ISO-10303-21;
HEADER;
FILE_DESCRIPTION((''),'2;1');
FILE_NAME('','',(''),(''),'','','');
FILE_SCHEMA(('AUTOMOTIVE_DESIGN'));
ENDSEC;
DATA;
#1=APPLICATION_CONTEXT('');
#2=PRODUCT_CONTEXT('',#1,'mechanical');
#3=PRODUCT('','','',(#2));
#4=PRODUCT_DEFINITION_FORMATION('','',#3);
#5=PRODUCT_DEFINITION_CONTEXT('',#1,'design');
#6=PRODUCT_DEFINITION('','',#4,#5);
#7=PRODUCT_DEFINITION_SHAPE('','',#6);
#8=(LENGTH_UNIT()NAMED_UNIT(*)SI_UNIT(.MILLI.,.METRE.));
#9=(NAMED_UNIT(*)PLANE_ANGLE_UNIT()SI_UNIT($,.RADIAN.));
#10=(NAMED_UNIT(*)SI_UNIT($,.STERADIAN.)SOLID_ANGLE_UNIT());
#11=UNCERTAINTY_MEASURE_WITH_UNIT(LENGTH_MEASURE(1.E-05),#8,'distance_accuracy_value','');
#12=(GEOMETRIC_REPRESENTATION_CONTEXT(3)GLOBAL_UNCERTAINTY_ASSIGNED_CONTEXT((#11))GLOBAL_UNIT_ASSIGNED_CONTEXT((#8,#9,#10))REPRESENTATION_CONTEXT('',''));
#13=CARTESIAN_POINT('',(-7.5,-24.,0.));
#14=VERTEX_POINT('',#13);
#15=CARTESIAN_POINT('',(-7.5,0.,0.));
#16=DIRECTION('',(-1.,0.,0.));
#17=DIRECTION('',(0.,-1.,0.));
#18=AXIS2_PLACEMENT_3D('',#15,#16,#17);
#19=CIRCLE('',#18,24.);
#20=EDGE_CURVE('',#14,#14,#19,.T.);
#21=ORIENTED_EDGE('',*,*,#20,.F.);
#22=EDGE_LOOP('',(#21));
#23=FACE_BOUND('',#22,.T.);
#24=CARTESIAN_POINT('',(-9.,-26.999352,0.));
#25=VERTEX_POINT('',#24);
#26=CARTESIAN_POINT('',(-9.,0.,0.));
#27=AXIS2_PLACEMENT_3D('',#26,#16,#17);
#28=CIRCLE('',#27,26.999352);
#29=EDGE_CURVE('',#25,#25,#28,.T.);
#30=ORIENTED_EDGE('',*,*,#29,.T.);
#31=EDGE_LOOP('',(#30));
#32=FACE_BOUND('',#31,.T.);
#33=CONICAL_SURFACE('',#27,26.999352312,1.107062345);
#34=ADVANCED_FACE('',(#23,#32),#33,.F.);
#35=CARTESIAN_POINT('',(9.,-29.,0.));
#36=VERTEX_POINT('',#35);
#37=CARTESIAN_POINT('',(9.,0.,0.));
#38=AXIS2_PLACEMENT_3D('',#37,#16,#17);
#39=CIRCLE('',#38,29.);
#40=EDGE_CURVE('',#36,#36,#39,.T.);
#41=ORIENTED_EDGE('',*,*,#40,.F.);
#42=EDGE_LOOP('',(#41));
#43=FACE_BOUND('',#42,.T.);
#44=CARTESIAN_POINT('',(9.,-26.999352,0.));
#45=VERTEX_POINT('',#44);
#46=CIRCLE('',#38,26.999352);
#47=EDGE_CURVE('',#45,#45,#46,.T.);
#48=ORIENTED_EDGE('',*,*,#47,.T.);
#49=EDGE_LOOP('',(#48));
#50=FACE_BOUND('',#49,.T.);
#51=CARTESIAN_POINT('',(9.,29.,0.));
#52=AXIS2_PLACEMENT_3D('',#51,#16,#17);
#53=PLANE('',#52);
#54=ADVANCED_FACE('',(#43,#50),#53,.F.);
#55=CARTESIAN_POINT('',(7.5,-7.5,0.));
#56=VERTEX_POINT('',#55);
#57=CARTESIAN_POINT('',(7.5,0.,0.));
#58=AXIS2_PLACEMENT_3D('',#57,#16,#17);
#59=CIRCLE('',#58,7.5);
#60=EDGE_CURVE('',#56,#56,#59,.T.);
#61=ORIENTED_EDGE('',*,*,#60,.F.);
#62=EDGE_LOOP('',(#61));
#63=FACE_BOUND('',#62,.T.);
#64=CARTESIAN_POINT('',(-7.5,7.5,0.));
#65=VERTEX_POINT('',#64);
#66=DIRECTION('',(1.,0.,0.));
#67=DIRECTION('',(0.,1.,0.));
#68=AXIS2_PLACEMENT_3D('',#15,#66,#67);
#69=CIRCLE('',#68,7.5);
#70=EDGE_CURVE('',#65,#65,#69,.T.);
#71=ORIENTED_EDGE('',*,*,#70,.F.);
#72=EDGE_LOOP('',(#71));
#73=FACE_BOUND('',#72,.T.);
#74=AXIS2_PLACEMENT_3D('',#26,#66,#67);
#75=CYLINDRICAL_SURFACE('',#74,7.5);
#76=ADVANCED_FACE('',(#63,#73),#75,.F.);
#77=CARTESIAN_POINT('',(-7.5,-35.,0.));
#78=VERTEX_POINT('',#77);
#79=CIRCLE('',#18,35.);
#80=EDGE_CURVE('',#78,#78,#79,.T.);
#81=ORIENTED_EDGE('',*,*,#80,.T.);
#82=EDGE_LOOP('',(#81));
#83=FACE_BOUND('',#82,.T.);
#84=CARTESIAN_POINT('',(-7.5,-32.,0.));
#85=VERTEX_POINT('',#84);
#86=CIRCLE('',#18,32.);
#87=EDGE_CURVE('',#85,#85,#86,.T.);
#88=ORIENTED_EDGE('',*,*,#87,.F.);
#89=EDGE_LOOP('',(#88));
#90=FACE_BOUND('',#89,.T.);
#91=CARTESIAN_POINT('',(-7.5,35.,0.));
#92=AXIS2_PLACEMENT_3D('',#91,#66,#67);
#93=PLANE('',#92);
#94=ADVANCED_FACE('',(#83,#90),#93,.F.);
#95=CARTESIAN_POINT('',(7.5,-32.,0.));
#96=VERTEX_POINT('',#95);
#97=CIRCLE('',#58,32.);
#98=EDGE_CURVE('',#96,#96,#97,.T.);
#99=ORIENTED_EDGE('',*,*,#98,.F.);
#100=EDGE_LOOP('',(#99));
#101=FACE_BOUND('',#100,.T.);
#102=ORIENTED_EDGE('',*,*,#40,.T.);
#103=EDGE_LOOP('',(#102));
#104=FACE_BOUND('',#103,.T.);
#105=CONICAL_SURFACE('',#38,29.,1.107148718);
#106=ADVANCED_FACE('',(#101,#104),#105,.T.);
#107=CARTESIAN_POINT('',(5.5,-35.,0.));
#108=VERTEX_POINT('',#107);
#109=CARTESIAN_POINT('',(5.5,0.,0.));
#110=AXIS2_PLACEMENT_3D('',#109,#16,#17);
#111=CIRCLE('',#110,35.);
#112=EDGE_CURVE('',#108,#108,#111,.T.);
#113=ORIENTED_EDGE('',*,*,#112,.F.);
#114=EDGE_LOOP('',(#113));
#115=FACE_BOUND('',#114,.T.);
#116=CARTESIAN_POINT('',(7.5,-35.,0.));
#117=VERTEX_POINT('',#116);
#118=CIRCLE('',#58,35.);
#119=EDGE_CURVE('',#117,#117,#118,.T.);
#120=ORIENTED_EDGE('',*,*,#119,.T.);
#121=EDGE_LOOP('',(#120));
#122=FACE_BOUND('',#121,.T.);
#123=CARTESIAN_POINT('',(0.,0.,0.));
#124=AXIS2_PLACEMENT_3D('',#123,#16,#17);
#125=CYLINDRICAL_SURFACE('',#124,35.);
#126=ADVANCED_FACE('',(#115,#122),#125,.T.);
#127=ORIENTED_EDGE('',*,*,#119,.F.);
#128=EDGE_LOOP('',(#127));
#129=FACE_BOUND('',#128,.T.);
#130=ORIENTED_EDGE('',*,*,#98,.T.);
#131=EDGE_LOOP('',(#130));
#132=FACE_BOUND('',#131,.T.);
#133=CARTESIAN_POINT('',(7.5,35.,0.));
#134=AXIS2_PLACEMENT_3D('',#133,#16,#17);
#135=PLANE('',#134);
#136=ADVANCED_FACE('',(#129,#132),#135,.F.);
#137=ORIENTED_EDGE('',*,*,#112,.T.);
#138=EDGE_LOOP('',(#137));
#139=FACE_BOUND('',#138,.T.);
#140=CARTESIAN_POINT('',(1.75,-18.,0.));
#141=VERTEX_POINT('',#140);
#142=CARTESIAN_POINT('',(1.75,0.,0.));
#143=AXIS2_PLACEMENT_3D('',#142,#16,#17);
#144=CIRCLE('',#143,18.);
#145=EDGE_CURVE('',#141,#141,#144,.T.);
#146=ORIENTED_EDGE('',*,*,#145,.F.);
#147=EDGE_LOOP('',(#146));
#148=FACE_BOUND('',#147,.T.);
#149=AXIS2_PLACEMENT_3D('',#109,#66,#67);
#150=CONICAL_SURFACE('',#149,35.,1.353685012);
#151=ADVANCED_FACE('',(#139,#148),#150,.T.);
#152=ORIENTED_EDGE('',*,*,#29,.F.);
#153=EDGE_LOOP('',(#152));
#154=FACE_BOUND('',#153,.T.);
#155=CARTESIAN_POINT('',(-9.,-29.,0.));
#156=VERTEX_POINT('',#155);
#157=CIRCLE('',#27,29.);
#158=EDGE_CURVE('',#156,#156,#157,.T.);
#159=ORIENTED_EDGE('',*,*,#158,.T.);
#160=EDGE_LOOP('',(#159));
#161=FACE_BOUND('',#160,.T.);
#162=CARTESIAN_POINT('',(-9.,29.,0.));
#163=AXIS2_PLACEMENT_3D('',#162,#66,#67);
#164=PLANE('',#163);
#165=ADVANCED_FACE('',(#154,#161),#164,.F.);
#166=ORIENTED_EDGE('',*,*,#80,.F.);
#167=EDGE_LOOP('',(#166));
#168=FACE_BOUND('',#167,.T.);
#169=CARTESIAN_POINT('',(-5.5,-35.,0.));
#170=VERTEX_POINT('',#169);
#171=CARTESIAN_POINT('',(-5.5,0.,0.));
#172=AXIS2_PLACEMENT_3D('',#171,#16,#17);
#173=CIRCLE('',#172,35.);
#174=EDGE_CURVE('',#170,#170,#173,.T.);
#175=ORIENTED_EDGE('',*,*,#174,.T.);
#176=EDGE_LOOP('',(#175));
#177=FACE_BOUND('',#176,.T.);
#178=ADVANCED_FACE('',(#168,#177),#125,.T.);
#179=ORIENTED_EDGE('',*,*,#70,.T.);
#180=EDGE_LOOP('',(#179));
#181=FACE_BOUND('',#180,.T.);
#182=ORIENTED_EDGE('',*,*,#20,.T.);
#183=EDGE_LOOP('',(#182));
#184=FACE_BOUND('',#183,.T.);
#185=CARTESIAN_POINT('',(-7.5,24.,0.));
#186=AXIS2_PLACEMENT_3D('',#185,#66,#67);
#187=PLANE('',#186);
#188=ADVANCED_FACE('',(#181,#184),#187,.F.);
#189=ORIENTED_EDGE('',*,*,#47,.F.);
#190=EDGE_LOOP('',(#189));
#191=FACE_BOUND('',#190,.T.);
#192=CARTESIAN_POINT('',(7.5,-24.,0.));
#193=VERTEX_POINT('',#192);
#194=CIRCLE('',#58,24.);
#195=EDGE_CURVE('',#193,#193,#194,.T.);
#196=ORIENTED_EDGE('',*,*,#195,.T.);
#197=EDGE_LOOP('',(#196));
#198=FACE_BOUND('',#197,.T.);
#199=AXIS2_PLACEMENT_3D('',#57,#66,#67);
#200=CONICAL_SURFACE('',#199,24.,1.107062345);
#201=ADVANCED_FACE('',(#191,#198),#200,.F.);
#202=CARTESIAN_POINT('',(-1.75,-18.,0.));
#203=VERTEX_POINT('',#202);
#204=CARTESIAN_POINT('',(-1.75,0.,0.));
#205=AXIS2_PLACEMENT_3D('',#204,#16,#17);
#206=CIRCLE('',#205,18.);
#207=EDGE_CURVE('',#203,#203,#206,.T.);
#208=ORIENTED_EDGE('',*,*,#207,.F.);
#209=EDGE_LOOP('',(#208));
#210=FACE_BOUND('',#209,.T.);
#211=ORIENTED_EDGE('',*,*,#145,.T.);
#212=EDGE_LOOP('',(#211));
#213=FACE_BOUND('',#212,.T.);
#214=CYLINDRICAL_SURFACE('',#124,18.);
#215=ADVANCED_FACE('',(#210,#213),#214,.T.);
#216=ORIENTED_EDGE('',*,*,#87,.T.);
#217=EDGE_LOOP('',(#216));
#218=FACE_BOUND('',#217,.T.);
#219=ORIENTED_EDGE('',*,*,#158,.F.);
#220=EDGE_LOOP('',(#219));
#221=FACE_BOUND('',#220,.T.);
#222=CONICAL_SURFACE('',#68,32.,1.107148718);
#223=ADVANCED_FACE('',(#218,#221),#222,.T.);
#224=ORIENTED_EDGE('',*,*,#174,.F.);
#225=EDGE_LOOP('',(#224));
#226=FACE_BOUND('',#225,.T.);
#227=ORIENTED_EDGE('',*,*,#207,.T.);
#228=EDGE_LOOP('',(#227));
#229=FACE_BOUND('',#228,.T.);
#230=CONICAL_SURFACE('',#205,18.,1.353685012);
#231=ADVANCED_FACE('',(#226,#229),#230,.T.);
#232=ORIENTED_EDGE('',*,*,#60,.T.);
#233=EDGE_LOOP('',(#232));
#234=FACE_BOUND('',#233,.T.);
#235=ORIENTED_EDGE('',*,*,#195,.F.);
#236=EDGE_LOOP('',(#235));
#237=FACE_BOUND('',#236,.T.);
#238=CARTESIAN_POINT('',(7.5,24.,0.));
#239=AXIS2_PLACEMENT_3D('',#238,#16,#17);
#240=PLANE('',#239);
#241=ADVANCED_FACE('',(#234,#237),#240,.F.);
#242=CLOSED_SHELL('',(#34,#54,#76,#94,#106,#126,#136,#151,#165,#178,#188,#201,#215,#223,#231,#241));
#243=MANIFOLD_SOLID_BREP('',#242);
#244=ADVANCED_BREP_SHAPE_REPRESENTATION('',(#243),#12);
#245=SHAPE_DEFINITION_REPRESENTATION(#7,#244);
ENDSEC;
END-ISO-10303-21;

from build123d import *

# Parameters (mm, degrees)
SKETCH_2_R          = 7.5
CUT_EXTRUDE_1_DEPTH = 53.668776329


with BuildPart() as part:
    # Эскиз1 → Повернуть4 (revolve)
    with BuildSketch(Plane.XY, mode=Mode.PRIVATE) as revolve_4_sk:
        Polygon((5.5, 35), (7.5, 35), (7.5, 32), (9, 29), (9, 26.999352312), (7.5, 24), (7.5, 0), (-7.5, 0), (-7.5, 24), (-9, 26.999352312), (-9, 29), (-7.5, 32), (-7.5, 35), (-5.5, 35), (-1.75, 18), (1.75, 18), align=None)
    revolve(revolve_4_sk.sketch.rotate(Axis((0, 0, 0), (1, 0, 0)), 180), axis=Axis((0, 0, 0), (1, 0, 0)))

    # Эскиз2 → Вырез-Вытянуть1 (cut, through all)
    with BuildSketch(Plane(origin=(9, 0, 0), x_dir=(0, 0, -1), z_dir=(1, 0, 0))):
        with Locations(Location((0, 0, 0), (0, 0, 90))):
            Circle(SKETCH_2_R)
    extrude(amount=-CUT_EXTRUDE_1_DEPTH, mode=Mode.SUBTRACT)


solid = part.part
